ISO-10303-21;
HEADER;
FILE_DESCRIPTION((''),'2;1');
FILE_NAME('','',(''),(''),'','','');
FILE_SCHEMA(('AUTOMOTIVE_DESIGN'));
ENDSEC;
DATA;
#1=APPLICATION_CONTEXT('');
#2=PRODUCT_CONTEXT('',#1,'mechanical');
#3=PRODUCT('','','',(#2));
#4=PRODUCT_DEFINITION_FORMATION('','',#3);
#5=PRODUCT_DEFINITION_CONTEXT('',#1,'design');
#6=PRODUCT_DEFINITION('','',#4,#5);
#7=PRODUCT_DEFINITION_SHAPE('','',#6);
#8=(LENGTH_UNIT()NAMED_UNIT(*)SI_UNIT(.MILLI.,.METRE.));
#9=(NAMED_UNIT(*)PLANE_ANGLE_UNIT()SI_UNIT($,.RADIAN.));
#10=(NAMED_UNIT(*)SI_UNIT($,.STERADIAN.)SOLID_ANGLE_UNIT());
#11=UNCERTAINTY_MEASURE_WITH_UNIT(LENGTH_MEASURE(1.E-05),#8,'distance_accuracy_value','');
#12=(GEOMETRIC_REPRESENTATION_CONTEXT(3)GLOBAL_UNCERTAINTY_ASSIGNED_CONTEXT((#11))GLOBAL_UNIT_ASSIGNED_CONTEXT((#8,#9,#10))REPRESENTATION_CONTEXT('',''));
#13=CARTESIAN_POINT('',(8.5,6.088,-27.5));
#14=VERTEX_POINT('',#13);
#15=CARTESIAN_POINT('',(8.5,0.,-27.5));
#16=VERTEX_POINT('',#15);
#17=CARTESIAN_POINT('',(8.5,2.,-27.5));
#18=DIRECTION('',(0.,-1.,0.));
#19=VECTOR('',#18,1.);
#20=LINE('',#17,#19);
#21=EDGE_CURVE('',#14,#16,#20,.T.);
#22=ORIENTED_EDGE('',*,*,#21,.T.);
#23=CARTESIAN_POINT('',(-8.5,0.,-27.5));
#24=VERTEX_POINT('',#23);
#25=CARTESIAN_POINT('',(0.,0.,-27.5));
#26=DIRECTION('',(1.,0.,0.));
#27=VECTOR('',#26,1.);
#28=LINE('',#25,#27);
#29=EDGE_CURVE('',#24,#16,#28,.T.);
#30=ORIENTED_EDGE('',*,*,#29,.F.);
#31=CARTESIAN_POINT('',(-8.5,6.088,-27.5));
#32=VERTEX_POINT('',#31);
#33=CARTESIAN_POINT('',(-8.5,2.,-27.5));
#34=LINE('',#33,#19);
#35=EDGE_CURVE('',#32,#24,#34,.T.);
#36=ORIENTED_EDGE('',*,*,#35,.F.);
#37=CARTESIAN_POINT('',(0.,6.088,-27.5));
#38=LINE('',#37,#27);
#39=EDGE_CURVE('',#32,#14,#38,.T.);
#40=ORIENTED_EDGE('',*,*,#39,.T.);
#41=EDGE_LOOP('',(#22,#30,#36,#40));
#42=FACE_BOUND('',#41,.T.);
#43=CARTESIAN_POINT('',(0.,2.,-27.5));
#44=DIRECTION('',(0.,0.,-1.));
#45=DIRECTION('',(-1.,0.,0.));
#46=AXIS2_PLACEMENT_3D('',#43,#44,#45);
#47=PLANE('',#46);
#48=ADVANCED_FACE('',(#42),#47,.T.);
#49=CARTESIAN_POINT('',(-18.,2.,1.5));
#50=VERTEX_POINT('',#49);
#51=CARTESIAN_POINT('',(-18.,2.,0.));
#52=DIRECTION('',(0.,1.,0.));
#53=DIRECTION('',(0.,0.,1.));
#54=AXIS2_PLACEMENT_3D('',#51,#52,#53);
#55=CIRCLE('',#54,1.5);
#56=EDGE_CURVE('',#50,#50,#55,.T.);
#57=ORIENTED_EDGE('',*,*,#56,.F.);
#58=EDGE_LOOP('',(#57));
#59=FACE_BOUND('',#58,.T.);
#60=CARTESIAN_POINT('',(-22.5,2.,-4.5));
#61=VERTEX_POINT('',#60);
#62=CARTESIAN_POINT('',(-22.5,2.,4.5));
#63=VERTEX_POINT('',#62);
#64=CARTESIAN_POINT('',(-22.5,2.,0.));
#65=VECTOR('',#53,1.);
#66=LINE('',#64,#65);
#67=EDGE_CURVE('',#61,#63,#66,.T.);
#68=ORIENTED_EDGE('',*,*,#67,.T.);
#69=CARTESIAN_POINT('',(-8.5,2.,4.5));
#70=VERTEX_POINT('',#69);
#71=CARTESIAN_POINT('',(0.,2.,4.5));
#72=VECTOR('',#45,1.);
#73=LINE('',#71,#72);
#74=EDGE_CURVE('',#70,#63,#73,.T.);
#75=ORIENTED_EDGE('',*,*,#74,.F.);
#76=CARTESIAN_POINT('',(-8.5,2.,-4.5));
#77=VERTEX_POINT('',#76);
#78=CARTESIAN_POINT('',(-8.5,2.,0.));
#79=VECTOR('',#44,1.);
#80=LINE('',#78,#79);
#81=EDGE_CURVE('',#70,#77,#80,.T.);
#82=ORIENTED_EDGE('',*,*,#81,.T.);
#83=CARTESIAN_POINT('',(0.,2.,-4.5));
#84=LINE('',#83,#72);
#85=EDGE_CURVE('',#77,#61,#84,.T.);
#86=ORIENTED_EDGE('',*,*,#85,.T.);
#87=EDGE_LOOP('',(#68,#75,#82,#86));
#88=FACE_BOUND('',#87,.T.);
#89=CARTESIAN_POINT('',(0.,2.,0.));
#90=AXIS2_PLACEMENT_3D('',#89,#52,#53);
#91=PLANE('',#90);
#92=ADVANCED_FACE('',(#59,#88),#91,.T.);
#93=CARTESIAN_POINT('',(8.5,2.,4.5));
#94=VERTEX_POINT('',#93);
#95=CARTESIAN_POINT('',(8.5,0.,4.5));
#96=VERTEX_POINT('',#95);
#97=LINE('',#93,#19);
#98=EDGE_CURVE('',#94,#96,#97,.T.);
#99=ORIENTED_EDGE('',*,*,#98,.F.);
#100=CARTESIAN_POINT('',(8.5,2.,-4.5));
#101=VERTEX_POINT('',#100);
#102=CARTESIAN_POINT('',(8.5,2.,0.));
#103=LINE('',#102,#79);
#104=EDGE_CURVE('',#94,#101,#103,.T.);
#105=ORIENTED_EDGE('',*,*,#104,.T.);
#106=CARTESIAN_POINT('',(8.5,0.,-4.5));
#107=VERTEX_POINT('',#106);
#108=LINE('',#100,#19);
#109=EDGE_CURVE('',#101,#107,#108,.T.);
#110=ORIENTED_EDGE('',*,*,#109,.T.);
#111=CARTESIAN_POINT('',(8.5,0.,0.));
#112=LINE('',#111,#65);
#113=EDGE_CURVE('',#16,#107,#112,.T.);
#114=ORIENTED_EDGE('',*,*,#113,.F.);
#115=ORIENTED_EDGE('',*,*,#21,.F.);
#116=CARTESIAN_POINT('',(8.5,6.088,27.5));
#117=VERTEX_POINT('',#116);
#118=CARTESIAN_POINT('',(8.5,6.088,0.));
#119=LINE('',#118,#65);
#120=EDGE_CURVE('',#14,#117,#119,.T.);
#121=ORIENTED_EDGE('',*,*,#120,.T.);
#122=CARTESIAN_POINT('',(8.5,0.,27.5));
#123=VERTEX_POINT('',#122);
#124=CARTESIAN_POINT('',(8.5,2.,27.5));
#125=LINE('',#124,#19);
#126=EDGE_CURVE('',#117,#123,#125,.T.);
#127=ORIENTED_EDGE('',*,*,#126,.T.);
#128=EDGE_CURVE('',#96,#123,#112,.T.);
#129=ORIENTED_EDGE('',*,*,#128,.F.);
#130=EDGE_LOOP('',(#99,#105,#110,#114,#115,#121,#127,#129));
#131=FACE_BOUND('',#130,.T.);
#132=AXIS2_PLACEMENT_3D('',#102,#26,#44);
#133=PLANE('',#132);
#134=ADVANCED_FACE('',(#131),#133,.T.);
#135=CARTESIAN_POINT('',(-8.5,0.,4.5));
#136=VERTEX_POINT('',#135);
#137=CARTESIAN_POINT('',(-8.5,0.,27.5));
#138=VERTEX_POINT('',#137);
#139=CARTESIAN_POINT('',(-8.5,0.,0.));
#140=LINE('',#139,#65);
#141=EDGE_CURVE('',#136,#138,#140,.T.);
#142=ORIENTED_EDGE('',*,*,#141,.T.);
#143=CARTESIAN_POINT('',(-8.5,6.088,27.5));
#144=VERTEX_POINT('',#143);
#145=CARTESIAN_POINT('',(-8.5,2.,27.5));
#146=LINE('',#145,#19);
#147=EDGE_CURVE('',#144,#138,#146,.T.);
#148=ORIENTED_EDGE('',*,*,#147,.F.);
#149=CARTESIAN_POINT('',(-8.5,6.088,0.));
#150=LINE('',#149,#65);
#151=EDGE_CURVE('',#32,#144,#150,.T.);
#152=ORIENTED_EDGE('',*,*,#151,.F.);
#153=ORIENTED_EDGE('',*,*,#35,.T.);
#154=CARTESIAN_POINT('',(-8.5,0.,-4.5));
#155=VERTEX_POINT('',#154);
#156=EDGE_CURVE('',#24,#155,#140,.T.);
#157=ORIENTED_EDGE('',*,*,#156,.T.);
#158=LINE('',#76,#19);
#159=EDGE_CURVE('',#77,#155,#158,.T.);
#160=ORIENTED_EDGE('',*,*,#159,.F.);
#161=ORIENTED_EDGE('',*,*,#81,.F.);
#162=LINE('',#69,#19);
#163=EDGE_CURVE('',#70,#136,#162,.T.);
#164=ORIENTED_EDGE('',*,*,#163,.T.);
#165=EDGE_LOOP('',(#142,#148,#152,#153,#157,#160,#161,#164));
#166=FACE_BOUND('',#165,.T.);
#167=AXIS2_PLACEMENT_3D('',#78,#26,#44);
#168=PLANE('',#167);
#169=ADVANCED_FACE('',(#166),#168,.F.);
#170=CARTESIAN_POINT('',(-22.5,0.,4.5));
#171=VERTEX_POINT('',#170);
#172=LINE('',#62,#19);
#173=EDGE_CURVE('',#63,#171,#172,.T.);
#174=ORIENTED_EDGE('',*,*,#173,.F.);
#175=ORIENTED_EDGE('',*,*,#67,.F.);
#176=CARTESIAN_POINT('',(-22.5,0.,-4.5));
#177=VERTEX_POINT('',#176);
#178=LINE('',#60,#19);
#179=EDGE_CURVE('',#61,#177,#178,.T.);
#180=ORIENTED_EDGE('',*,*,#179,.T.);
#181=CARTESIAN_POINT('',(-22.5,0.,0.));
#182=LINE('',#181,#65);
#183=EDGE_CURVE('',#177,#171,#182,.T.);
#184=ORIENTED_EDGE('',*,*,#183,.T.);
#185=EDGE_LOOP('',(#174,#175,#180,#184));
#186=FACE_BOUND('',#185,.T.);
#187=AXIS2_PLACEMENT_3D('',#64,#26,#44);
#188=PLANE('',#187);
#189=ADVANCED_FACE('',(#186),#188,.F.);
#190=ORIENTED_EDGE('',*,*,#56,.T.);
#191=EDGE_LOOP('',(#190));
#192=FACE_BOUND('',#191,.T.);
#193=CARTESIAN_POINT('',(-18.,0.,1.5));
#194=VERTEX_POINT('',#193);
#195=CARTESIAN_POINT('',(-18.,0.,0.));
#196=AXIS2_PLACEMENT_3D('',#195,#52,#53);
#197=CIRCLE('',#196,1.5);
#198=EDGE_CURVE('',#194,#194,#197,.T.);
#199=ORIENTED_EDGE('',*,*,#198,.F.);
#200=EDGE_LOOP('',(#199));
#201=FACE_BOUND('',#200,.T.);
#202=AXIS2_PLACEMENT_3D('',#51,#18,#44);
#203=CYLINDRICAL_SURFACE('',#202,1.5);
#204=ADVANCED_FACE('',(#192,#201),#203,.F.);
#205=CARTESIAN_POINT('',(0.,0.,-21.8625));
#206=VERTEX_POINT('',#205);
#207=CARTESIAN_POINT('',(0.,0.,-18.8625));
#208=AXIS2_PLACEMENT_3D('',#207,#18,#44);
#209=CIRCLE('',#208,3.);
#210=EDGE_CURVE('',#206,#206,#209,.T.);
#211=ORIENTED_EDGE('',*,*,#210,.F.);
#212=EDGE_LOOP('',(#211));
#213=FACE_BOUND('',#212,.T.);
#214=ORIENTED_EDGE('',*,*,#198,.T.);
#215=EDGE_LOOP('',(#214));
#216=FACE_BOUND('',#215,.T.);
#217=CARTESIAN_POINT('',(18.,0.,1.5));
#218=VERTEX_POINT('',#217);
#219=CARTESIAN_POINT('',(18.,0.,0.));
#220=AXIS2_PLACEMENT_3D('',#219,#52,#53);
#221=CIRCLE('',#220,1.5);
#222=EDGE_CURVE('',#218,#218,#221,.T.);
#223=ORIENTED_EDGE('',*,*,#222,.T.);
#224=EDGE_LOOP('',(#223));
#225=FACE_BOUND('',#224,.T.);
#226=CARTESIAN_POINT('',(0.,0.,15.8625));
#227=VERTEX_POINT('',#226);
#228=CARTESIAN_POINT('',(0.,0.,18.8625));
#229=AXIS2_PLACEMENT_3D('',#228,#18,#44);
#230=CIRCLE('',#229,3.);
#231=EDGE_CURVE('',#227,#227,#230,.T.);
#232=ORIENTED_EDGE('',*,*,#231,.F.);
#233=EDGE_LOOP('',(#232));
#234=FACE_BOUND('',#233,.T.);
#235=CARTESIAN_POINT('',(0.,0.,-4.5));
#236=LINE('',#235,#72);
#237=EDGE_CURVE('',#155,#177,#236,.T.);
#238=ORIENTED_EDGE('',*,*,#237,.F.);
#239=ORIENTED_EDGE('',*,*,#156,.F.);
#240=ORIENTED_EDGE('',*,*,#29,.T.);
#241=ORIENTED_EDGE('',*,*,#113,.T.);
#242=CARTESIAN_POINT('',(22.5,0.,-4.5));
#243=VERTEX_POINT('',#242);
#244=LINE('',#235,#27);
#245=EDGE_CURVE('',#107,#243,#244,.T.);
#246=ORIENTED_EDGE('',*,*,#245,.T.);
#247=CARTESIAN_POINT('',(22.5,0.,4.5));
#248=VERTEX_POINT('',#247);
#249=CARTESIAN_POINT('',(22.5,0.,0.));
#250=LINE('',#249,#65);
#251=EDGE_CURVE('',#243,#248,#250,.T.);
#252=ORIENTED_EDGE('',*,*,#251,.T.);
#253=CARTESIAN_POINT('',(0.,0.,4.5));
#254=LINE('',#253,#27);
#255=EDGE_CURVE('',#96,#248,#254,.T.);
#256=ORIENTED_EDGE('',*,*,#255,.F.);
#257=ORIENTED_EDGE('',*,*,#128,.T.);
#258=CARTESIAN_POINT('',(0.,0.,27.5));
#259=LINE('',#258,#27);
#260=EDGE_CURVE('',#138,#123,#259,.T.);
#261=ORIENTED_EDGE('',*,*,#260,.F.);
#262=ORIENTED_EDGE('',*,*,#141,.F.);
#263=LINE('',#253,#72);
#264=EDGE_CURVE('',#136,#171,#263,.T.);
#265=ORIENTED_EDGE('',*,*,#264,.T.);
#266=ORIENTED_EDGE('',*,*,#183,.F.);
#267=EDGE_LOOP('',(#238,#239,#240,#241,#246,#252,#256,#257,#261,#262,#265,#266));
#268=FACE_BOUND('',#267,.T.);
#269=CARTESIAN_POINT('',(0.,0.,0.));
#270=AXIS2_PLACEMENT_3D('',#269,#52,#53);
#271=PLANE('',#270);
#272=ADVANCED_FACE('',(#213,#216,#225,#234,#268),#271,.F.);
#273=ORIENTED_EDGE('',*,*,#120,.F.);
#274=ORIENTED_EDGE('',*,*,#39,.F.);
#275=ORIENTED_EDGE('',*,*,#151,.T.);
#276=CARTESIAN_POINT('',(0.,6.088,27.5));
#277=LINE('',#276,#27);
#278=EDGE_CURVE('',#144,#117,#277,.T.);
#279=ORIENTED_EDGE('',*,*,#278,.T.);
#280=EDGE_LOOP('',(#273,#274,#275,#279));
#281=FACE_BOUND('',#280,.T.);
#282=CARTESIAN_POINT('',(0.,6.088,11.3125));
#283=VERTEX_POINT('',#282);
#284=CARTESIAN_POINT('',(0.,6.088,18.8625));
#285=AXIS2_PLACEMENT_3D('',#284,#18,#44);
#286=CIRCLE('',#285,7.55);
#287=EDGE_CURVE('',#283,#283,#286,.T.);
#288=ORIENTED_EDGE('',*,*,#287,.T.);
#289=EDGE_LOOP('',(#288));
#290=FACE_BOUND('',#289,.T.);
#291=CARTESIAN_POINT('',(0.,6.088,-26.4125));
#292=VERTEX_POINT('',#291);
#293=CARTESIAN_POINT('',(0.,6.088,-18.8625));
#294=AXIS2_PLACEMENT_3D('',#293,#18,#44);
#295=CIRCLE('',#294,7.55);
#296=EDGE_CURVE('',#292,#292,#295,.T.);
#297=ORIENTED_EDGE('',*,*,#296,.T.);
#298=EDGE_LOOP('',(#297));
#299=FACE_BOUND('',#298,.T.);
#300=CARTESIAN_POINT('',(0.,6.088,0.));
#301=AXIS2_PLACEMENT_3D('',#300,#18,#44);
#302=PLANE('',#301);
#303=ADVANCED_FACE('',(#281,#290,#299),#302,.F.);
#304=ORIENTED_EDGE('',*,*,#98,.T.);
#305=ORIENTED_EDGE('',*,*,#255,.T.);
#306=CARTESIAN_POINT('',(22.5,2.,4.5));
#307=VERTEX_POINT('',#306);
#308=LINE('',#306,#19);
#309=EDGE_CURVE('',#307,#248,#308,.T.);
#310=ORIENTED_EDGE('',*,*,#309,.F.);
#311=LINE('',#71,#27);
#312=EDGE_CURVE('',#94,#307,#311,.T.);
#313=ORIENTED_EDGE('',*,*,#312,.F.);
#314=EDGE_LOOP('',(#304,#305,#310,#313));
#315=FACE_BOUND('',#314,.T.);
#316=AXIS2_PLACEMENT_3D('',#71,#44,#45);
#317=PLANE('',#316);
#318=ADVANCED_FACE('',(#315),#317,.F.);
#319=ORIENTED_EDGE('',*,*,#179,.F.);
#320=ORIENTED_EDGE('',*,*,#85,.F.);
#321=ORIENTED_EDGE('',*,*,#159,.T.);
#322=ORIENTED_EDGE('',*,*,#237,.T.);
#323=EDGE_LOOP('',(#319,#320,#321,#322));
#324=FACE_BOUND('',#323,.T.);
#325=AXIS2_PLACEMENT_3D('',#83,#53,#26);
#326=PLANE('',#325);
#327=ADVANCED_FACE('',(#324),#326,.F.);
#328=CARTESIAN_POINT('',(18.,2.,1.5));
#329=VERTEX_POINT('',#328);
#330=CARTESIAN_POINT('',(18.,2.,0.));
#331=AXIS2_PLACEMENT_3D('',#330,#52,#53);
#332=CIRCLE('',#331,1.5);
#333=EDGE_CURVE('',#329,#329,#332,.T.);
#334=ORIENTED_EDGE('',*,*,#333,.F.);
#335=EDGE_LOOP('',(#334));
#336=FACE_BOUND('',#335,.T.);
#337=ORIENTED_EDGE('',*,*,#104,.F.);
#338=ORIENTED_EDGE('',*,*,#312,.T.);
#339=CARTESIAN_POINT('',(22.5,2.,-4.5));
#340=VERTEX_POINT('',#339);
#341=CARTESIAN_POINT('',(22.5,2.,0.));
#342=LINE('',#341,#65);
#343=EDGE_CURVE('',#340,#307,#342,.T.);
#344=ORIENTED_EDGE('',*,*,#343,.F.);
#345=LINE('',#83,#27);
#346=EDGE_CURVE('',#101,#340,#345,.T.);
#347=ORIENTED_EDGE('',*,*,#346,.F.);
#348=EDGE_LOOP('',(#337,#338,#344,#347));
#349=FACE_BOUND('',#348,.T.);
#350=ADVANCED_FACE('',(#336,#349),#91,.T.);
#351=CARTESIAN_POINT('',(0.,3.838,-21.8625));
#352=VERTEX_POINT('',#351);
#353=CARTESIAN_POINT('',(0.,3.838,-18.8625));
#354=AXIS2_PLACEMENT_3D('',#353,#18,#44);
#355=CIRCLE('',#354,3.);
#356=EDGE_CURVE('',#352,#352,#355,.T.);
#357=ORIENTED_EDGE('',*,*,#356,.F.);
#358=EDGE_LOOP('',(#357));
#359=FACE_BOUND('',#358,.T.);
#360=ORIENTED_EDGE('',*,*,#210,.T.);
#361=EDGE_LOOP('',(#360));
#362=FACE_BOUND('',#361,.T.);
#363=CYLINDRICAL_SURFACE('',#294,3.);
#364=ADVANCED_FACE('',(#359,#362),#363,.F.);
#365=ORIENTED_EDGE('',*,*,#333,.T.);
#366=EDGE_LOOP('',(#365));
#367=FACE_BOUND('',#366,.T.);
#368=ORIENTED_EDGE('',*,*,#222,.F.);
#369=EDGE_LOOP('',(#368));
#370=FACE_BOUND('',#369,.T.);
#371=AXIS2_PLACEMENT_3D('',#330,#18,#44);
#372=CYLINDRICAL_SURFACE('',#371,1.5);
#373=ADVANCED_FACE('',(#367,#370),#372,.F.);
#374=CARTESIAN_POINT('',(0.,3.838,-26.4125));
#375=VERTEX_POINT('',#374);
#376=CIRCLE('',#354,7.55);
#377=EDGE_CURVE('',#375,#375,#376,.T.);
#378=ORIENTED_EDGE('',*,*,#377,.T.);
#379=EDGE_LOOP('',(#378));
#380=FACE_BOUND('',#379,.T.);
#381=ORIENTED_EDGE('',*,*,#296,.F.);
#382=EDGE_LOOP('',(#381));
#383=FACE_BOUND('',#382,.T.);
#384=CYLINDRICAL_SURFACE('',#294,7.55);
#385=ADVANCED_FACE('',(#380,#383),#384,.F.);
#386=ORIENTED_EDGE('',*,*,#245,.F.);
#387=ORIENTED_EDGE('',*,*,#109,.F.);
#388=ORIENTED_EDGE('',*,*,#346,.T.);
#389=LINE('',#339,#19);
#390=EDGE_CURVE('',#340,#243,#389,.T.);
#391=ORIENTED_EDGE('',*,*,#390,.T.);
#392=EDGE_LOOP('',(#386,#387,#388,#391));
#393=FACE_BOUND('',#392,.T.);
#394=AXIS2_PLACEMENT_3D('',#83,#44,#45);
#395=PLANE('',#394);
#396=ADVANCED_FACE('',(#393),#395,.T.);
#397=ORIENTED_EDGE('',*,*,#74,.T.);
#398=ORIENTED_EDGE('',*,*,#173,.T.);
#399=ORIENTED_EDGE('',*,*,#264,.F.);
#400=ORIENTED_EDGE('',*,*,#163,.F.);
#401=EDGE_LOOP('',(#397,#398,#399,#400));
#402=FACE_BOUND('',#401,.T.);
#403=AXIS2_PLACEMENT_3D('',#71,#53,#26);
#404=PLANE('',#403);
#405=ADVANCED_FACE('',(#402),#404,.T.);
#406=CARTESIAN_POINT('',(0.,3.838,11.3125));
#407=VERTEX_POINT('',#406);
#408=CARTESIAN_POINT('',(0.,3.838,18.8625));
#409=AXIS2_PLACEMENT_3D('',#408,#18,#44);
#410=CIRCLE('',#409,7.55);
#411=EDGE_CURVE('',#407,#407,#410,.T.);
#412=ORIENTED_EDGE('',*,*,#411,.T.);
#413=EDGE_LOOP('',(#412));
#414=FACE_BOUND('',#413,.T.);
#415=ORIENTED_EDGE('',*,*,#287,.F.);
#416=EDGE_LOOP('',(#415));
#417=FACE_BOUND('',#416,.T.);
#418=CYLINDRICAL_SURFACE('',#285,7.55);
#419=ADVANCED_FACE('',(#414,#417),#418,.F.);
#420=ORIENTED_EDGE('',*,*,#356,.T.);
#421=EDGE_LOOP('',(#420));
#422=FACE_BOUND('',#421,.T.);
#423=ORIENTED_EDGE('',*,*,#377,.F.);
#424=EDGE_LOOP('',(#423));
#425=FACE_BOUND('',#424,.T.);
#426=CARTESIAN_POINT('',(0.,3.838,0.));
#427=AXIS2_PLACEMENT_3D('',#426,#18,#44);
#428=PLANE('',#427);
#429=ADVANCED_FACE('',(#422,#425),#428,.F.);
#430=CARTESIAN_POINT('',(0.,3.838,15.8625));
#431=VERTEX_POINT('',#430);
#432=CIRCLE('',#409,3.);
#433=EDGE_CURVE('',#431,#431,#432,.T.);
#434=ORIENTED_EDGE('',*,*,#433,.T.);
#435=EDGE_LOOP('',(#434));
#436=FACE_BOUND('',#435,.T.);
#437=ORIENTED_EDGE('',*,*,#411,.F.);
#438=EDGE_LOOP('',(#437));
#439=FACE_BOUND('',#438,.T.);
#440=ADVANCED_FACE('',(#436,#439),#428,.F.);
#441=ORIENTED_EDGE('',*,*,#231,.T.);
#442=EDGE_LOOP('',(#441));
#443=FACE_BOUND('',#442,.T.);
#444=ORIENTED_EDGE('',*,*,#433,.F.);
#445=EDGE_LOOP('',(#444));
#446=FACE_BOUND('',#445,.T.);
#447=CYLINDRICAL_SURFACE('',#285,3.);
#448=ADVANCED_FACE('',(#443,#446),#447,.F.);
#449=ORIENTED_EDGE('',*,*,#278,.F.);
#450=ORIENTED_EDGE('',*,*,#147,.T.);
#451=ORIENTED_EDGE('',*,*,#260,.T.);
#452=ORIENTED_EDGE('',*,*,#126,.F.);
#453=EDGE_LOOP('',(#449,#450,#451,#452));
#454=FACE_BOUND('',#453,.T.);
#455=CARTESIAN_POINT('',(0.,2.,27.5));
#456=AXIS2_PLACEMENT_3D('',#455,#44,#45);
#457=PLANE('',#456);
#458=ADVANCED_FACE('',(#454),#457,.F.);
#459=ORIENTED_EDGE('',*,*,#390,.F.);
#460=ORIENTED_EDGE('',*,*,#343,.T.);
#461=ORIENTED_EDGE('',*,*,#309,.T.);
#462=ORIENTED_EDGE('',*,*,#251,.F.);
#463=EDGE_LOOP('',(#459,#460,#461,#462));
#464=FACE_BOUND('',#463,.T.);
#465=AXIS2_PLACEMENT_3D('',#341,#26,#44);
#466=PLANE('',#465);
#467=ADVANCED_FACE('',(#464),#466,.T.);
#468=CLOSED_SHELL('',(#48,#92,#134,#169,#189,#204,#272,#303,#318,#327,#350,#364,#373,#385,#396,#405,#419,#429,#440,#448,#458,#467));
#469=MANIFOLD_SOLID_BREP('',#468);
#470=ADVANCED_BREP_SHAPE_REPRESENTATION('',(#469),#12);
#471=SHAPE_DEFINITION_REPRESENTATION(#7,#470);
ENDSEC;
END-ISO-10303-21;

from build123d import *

# Parameters (mm, degrees)
SKETCH1_W           = 17
SKETCH1_H           = 55
SKETCH1_R           = 7.55
SKETCH1_W_2         = 14
SKETCH1_H_2         = 9
SKETCH1_R_2         = 1.5
BOSS_EXTRUDE1_DEPTH = 2
BOSS_EXTRUDE2_START = 2
SKETCH1_4_W         = 17
SKETCH1_4_H         = 55
SKETCH1_4_R         = 7.55
BOSS_EXTRUDE2_DEPTH = 1.838
BOSS_EXTRUDE3_START = 3.838
SKETCH1_5_W         = 17
SKETCH1_5_H         = 55
SKETCH1_5_R         = 7.55
BOSS_EXTRUDE3_DEPTH = 2.25
SKETCH3_R           = 3
CUT_EXTRUDE1_DEPTH  = 7.088


with BuildPart() as part:
    # Sketch1 → Boss-Extrude1 (new body)
    with BuildSketch(Plane(origin=(0, 0, 0), x_dir=(1, 0, 0), z_dir=(0, 1, 0))):
        Rectangle(SKETCH1_W, SKETCH1_H)
        with Locations((0, -18.8625)):
            Circle(SKETCH1_R, mode=Mode.SUBTRACT)
        with Locations((0, 18.8625)):
            Circle(SKETCH1_R, mode=Mode.SUBTRACT)
        with Locations((15.5, 0)):
            Rectangle(SKETCH1_W_2, SKETCH1_H_2)
        with Locations((18, 0)):
            Circle(SKETCH1_R_2, mode=Mode.SUBTRACT)
        with Locations((-15.5, 0)):
            Rectangle(SKETCH1_W_2, SKETCH1_H_2)
        with Locations((-18, 0)):
            Circle(SKETCH1_R_2, mode=Mode.SUBTRACT)
        with Locations((0, -18.8625)):
            Circle(SKETCH1_R)
        with Locations((0, 18.8625)):
            Circle(SKETCH1_R)
    extrude(amount=BOSS_EXTRUDE1_DEPTH)

    # Sketch1<4> → Boss-Extrude2 (add)
    with BuildSketch(Plane(origin=(0, 0, 0), x_dir=(1, 0, 0), z_dir=(0, 1, 0)).offset(BOSS_EXTRUDE2_START)):
        Rectangle(SKETCH1_4_W, SKETCH1_4_H)
        with Locations((0, -18.8625)):
            Circle(SKETCH1_4_R, mode=Mode.SUBTRACT)
        with Locations((0, 18.8625)):
            Circle(SKETCH1_4_R, mode=Mode.SUBTRACT)
        with Locations((0, -18.8625)):
            Circle(SKETCH1_4_R)
        with Locations((0, 18.8625)):
            Circle(SKETCH1_4_R)
    extrude(amount=BOSS_EXTRUDE2_DEPTH)

    # Sketch1<5> → Boss-Extrude3 (add)
    with BuildSketch(Plane(origin=(0, 0, 0), x_dir=(1, 0, 0), z_dir=(0, 1, 0)).offset(BOSS_EXTRUDE3_START)):
        Rectangle(SKETCH1_5_W, SKETCH1_5_H)
        with Locations((0, -18.8625)):
            Circle(SKETCH1_5_R, mode=Mode.SUBTRACT)
        with Locations((0, 18.8625)):
            Circle(SKETCH1_5_R, mode=Mode.SUBTRACT)
    extrude(amount=BOSS_EXTRUDE3_DEPTH)

    # Sketch3 → Cut-Extrude1 (cut, through all)
    with BuildSketch(Plane.XZ):
        with Locations((0, -18.8625)):
            Circle(SKETCH3_R)
        with Locations((0, 18.8625)):
            Circle(SKETCH3_R)
    extrude(amount=-CUT_EXTRUDE1_DEPTH, mode=Mode.SUBTRACT)


solid = part.part
